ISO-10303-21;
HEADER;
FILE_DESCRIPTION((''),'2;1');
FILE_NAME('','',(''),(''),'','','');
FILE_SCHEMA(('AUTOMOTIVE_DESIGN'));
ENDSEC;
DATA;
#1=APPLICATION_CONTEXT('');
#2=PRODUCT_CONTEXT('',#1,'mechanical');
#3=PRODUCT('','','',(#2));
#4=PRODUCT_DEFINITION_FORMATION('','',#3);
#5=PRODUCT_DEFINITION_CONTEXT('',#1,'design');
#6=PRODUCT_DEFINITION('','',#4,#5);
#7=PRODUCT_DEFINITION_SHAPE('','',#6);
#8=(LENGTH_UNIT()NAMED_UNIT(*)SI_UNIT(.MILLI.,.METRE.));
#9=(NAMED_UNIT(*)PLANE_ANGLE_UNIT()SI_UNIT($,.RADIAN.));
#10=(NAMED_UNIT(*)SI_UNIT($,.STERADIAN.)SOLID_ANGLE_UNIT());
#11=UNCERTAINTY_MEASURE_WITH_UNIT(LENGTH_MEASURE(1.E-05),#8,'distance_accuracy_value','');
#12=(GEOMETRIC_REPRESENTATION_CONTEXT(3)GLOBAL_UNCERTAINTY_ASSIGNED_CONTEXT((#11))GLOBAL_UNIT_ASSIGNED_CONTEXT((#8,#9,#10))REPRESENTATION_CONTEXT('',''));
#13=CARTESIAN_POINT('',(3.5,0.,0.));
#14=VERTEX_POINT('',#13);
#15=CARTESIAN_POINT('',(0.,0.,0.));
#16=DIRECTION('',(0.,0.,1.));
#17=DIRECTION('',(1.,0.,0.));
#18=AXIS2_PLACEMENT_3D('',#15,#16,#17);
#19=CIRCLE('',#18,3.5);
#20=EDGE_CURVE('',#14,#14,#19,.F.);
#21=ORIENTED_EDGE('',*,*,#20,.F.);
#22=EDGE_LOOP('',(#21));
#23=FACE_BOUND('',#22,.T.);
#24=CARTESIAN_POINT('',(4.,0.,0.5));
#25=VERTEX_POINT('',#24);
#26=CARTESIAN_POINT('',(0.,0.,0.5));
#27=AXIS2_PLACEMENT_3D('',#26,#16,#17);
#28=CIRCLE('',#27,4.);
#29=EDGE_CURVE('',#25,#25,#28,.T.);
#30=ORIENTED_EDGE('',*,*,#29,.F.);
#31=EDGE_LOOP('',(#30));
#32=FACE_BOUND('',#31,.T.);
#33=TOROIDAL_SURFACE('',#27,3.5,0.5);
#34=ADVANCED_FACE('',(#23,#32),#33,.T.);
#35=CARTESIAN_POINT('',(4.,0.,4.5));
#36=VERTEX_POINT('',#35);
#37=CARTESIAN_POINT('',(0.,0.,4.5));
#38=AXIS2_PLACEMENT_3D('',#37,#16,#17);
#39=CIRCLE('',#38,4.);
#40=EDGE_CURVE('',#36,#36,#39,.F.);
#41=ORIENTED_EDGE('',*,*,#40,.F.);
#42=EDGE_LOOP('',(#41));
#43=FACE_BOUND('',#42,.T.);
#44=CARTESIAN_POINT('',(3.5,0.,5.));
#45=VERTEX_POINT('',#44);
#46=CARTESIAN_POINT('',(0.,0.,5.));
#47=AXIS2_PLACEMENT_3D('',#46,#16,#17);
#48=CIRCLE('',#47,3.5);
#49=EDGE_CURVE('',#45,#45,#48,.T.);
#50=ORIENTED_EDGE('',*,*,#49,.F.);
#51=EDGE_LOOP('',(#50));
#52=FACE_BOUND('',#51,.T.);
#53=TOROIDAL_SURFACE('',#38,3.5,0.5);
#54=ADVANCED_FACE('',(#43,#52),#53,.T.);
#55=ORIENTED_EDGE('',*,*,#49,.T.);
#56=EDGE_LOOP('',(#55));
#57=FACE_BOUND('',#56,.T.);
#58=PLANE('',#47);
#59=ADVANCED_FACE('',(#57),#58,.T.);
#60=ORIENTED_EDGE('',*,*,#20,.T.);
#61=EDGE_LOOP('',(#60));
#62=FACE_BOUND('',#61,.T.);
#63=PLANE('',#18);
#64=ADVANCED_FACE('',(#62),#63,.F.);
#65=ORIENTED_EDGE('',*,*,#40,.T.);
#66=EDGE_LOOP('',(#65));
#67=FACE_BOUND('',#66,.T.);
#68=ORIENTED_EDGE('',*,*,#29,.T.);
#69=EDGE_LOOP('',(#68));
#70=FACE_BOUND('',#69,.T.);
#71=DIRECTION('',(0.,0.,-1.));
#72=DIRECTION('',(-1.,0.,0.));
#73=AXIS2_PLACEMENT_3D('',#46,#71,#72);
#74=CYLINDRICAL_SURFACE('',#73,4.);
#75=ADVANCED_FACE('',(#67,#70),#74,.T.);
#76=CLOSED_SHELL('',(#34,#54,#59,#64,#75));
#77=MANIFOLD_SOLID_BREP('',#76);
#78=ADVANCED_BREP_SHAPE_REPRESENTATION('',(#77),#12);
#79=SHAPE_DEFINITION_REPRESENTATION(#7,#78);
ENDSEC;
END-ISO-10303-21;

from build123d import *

# Parameters (mm, degrees)
ESQUISSE1_R        = 4
BOSS_EXTRU_1_DEPTH = 5
CONG_1_R           = 0.5


with BuildPart() as part:
    # Esquisse1 → Boss.-Extru.1 (new body)
    with BuildSketch(Plane.XY):
        Circle(ESQUISSE1_R)
    extrude(amount=BOSS_EXTRU_1_DEPTH)

    # Congé1
    cong_1_edges = [part.edges().sort_by_distance(p)[0] for p in [
        (-4, 0, 0),
        (-4, 0, 5),
    ]]
    fillet(cong_1_edges, radius=CONG_1_R)


solid = part.part
